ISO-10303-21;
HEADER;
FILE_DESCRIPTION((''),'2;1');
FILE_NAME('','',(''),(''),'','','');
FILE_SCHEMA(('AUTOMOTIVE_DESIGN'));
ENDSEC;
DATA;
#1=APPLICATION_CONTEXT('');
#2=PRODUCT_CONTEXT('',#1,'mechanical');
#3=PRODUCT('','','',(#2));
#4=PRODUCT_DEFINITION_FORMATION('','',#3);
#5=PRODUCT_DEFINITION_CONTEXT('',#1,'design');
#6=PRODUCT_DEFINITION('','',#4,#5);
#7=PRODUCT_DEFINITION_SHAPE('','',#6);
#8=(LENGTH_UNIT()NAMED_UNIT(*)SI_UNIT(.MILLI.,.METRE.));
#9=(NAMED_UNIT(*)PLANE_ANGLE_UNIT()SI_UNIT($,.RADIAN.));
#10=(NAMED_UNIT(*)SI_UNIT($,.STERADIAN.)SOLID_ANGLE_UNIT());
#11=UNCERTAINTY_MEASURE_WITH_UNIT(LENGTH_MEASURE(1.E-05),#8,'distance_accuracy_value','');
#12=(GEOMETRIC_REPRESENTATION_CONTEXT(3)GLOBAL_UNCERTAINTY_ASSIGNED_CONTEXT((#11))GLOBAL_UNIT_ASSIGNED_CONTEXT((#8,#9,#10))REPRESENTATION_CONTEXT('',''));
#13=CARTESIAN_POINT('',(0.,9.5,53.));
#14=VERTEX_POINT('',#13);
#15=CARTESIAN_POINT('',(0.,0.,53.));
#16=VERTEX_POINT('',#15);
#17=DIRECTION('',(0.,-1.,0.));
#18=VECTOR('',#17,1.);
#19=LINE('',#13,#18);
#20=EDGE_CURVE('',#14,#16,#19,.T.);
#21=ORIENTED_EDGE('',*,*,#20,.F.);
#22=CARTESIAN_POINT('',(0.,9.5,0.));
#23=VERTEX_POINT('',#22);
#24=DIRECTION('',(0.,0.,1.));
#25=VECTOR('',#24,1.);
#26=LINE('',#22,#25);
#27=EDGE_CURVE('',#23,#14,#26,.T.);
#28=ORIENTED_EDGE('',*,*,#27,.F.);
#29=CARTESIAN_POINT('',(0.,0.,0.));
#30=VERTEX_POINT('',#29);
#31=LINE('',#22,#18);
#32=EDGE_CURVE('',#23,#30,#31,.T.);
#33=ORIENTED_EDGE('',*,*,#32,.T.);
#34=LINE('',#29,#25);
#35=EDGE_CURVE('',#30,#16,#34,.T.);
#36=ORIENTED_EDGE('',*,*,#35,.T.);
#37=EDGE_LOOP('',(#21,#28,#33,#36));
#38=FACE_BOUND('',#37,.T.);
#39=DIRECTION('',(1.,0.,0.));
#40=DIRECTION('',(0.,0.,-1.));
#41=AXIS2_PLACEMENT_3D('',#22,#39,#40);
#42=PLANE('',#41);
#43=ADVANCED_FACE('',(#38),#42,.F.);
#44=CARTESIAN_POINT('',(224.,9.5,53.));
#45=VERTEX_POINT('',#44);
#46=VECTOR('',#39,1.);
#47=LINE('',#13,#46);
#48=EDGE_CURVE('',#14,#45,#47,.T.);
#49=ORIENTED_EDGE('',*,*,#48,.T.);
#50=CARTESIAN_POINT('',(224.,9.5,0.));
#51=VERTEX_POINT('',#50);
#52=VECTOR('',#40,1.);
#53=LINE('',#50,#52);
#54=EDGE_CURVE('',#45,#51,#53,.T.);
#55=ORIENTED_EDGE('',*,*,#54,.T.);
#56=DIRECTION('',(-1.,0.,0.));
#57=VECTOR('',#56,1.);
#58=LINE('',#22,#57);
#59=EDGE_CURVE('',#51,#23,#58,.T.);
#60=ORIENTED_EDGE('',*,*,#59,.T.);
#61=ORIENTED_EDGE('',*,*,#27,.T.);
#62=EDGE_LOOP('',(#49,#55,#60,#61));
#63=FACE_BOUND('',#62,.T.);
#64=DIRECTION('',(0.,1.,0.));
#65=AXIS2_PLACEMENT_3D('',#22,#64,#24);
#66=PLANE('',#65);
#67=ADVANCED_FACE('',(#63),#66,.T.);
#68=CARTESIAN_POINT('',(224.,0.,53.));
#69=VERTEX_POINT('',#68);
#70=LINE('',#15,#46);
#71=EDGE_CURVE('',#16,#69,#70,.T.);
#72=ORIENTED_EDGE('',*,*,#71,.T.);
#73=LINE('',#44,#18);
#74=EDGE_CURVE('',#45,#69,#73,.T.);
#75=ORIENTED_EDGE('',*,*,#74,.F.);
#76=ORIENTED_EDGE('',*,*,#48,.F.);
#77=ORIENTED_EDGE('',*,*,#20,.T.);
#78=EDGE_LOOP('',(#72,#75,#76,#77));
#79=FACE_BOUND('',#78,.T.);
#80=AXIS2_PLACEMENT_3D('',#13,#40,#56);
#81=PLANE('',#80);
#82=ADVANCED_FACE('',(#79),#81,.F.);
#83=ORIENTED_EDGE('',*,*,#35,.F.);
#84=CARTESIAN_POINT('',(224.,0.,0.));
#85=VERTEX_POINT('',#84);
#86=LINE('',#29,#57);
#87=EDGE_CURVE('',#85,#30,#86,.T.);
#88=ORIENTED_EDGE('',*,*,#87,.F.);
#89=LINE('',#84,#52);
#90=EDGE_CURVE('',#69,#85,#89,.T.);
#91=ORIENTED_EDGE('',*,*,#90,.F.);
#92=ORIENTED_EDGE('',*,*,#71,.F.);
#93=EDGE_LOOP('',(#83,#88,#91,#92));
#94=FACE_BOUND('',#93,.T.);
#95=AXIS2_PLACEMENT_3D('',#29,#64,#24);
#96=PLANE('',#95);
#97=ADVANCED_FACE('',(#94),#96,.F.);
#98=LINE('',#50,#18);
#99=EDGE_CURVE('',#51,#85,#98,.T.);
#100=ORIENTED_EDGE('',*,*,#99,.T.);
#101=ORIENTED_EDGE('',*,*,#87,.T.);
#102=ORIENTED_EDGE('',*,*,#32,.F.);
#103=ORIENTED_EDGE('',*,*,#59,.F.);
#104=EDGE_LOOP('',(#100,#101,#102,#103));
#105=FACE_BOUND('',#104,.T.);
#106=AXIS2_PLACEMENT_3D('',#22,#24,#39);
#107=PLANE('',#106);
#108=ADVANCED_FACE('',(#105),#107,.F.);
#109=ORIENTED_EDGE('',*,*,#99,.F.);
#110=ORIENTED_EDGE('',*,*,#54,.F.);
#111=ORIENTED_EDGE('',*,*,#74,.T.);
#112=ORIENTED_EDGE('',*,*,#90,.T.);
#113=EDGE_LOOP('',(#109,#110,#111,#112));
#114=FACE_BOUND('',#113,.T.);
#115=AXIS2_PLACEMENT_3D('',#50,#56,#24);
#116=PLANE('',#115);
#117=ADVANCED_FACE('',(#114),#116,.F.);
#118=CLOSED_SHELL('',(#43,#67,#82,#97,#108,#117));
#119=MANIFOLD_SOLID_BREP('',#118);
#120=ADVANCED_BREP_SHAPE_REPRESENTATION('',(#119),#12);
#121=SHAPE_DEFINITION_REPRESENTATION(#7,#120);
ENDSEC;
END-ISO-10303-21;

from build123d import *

# Parameters (mm, degrees)
SKETCH_1_W      = 224
SKETCH_1_H      = 53
EXTRUDE_1_DEPTH = 9.5


with BuildPart() as part:
    # 草图1 → 凸台-拉伸1 (new body)
    with BuildSketch(Plane(origin=(0, 0, 0), x_dir=(1, 0, 0), z_dir=(0, 1, 0))):
        with Locations((112, -26.5)):
            Rectangle(SKETCH_1_W, SKETCH_1_H)
    extrude(amount=EXTRUDE_1_DEPTH)


solid = part.part
